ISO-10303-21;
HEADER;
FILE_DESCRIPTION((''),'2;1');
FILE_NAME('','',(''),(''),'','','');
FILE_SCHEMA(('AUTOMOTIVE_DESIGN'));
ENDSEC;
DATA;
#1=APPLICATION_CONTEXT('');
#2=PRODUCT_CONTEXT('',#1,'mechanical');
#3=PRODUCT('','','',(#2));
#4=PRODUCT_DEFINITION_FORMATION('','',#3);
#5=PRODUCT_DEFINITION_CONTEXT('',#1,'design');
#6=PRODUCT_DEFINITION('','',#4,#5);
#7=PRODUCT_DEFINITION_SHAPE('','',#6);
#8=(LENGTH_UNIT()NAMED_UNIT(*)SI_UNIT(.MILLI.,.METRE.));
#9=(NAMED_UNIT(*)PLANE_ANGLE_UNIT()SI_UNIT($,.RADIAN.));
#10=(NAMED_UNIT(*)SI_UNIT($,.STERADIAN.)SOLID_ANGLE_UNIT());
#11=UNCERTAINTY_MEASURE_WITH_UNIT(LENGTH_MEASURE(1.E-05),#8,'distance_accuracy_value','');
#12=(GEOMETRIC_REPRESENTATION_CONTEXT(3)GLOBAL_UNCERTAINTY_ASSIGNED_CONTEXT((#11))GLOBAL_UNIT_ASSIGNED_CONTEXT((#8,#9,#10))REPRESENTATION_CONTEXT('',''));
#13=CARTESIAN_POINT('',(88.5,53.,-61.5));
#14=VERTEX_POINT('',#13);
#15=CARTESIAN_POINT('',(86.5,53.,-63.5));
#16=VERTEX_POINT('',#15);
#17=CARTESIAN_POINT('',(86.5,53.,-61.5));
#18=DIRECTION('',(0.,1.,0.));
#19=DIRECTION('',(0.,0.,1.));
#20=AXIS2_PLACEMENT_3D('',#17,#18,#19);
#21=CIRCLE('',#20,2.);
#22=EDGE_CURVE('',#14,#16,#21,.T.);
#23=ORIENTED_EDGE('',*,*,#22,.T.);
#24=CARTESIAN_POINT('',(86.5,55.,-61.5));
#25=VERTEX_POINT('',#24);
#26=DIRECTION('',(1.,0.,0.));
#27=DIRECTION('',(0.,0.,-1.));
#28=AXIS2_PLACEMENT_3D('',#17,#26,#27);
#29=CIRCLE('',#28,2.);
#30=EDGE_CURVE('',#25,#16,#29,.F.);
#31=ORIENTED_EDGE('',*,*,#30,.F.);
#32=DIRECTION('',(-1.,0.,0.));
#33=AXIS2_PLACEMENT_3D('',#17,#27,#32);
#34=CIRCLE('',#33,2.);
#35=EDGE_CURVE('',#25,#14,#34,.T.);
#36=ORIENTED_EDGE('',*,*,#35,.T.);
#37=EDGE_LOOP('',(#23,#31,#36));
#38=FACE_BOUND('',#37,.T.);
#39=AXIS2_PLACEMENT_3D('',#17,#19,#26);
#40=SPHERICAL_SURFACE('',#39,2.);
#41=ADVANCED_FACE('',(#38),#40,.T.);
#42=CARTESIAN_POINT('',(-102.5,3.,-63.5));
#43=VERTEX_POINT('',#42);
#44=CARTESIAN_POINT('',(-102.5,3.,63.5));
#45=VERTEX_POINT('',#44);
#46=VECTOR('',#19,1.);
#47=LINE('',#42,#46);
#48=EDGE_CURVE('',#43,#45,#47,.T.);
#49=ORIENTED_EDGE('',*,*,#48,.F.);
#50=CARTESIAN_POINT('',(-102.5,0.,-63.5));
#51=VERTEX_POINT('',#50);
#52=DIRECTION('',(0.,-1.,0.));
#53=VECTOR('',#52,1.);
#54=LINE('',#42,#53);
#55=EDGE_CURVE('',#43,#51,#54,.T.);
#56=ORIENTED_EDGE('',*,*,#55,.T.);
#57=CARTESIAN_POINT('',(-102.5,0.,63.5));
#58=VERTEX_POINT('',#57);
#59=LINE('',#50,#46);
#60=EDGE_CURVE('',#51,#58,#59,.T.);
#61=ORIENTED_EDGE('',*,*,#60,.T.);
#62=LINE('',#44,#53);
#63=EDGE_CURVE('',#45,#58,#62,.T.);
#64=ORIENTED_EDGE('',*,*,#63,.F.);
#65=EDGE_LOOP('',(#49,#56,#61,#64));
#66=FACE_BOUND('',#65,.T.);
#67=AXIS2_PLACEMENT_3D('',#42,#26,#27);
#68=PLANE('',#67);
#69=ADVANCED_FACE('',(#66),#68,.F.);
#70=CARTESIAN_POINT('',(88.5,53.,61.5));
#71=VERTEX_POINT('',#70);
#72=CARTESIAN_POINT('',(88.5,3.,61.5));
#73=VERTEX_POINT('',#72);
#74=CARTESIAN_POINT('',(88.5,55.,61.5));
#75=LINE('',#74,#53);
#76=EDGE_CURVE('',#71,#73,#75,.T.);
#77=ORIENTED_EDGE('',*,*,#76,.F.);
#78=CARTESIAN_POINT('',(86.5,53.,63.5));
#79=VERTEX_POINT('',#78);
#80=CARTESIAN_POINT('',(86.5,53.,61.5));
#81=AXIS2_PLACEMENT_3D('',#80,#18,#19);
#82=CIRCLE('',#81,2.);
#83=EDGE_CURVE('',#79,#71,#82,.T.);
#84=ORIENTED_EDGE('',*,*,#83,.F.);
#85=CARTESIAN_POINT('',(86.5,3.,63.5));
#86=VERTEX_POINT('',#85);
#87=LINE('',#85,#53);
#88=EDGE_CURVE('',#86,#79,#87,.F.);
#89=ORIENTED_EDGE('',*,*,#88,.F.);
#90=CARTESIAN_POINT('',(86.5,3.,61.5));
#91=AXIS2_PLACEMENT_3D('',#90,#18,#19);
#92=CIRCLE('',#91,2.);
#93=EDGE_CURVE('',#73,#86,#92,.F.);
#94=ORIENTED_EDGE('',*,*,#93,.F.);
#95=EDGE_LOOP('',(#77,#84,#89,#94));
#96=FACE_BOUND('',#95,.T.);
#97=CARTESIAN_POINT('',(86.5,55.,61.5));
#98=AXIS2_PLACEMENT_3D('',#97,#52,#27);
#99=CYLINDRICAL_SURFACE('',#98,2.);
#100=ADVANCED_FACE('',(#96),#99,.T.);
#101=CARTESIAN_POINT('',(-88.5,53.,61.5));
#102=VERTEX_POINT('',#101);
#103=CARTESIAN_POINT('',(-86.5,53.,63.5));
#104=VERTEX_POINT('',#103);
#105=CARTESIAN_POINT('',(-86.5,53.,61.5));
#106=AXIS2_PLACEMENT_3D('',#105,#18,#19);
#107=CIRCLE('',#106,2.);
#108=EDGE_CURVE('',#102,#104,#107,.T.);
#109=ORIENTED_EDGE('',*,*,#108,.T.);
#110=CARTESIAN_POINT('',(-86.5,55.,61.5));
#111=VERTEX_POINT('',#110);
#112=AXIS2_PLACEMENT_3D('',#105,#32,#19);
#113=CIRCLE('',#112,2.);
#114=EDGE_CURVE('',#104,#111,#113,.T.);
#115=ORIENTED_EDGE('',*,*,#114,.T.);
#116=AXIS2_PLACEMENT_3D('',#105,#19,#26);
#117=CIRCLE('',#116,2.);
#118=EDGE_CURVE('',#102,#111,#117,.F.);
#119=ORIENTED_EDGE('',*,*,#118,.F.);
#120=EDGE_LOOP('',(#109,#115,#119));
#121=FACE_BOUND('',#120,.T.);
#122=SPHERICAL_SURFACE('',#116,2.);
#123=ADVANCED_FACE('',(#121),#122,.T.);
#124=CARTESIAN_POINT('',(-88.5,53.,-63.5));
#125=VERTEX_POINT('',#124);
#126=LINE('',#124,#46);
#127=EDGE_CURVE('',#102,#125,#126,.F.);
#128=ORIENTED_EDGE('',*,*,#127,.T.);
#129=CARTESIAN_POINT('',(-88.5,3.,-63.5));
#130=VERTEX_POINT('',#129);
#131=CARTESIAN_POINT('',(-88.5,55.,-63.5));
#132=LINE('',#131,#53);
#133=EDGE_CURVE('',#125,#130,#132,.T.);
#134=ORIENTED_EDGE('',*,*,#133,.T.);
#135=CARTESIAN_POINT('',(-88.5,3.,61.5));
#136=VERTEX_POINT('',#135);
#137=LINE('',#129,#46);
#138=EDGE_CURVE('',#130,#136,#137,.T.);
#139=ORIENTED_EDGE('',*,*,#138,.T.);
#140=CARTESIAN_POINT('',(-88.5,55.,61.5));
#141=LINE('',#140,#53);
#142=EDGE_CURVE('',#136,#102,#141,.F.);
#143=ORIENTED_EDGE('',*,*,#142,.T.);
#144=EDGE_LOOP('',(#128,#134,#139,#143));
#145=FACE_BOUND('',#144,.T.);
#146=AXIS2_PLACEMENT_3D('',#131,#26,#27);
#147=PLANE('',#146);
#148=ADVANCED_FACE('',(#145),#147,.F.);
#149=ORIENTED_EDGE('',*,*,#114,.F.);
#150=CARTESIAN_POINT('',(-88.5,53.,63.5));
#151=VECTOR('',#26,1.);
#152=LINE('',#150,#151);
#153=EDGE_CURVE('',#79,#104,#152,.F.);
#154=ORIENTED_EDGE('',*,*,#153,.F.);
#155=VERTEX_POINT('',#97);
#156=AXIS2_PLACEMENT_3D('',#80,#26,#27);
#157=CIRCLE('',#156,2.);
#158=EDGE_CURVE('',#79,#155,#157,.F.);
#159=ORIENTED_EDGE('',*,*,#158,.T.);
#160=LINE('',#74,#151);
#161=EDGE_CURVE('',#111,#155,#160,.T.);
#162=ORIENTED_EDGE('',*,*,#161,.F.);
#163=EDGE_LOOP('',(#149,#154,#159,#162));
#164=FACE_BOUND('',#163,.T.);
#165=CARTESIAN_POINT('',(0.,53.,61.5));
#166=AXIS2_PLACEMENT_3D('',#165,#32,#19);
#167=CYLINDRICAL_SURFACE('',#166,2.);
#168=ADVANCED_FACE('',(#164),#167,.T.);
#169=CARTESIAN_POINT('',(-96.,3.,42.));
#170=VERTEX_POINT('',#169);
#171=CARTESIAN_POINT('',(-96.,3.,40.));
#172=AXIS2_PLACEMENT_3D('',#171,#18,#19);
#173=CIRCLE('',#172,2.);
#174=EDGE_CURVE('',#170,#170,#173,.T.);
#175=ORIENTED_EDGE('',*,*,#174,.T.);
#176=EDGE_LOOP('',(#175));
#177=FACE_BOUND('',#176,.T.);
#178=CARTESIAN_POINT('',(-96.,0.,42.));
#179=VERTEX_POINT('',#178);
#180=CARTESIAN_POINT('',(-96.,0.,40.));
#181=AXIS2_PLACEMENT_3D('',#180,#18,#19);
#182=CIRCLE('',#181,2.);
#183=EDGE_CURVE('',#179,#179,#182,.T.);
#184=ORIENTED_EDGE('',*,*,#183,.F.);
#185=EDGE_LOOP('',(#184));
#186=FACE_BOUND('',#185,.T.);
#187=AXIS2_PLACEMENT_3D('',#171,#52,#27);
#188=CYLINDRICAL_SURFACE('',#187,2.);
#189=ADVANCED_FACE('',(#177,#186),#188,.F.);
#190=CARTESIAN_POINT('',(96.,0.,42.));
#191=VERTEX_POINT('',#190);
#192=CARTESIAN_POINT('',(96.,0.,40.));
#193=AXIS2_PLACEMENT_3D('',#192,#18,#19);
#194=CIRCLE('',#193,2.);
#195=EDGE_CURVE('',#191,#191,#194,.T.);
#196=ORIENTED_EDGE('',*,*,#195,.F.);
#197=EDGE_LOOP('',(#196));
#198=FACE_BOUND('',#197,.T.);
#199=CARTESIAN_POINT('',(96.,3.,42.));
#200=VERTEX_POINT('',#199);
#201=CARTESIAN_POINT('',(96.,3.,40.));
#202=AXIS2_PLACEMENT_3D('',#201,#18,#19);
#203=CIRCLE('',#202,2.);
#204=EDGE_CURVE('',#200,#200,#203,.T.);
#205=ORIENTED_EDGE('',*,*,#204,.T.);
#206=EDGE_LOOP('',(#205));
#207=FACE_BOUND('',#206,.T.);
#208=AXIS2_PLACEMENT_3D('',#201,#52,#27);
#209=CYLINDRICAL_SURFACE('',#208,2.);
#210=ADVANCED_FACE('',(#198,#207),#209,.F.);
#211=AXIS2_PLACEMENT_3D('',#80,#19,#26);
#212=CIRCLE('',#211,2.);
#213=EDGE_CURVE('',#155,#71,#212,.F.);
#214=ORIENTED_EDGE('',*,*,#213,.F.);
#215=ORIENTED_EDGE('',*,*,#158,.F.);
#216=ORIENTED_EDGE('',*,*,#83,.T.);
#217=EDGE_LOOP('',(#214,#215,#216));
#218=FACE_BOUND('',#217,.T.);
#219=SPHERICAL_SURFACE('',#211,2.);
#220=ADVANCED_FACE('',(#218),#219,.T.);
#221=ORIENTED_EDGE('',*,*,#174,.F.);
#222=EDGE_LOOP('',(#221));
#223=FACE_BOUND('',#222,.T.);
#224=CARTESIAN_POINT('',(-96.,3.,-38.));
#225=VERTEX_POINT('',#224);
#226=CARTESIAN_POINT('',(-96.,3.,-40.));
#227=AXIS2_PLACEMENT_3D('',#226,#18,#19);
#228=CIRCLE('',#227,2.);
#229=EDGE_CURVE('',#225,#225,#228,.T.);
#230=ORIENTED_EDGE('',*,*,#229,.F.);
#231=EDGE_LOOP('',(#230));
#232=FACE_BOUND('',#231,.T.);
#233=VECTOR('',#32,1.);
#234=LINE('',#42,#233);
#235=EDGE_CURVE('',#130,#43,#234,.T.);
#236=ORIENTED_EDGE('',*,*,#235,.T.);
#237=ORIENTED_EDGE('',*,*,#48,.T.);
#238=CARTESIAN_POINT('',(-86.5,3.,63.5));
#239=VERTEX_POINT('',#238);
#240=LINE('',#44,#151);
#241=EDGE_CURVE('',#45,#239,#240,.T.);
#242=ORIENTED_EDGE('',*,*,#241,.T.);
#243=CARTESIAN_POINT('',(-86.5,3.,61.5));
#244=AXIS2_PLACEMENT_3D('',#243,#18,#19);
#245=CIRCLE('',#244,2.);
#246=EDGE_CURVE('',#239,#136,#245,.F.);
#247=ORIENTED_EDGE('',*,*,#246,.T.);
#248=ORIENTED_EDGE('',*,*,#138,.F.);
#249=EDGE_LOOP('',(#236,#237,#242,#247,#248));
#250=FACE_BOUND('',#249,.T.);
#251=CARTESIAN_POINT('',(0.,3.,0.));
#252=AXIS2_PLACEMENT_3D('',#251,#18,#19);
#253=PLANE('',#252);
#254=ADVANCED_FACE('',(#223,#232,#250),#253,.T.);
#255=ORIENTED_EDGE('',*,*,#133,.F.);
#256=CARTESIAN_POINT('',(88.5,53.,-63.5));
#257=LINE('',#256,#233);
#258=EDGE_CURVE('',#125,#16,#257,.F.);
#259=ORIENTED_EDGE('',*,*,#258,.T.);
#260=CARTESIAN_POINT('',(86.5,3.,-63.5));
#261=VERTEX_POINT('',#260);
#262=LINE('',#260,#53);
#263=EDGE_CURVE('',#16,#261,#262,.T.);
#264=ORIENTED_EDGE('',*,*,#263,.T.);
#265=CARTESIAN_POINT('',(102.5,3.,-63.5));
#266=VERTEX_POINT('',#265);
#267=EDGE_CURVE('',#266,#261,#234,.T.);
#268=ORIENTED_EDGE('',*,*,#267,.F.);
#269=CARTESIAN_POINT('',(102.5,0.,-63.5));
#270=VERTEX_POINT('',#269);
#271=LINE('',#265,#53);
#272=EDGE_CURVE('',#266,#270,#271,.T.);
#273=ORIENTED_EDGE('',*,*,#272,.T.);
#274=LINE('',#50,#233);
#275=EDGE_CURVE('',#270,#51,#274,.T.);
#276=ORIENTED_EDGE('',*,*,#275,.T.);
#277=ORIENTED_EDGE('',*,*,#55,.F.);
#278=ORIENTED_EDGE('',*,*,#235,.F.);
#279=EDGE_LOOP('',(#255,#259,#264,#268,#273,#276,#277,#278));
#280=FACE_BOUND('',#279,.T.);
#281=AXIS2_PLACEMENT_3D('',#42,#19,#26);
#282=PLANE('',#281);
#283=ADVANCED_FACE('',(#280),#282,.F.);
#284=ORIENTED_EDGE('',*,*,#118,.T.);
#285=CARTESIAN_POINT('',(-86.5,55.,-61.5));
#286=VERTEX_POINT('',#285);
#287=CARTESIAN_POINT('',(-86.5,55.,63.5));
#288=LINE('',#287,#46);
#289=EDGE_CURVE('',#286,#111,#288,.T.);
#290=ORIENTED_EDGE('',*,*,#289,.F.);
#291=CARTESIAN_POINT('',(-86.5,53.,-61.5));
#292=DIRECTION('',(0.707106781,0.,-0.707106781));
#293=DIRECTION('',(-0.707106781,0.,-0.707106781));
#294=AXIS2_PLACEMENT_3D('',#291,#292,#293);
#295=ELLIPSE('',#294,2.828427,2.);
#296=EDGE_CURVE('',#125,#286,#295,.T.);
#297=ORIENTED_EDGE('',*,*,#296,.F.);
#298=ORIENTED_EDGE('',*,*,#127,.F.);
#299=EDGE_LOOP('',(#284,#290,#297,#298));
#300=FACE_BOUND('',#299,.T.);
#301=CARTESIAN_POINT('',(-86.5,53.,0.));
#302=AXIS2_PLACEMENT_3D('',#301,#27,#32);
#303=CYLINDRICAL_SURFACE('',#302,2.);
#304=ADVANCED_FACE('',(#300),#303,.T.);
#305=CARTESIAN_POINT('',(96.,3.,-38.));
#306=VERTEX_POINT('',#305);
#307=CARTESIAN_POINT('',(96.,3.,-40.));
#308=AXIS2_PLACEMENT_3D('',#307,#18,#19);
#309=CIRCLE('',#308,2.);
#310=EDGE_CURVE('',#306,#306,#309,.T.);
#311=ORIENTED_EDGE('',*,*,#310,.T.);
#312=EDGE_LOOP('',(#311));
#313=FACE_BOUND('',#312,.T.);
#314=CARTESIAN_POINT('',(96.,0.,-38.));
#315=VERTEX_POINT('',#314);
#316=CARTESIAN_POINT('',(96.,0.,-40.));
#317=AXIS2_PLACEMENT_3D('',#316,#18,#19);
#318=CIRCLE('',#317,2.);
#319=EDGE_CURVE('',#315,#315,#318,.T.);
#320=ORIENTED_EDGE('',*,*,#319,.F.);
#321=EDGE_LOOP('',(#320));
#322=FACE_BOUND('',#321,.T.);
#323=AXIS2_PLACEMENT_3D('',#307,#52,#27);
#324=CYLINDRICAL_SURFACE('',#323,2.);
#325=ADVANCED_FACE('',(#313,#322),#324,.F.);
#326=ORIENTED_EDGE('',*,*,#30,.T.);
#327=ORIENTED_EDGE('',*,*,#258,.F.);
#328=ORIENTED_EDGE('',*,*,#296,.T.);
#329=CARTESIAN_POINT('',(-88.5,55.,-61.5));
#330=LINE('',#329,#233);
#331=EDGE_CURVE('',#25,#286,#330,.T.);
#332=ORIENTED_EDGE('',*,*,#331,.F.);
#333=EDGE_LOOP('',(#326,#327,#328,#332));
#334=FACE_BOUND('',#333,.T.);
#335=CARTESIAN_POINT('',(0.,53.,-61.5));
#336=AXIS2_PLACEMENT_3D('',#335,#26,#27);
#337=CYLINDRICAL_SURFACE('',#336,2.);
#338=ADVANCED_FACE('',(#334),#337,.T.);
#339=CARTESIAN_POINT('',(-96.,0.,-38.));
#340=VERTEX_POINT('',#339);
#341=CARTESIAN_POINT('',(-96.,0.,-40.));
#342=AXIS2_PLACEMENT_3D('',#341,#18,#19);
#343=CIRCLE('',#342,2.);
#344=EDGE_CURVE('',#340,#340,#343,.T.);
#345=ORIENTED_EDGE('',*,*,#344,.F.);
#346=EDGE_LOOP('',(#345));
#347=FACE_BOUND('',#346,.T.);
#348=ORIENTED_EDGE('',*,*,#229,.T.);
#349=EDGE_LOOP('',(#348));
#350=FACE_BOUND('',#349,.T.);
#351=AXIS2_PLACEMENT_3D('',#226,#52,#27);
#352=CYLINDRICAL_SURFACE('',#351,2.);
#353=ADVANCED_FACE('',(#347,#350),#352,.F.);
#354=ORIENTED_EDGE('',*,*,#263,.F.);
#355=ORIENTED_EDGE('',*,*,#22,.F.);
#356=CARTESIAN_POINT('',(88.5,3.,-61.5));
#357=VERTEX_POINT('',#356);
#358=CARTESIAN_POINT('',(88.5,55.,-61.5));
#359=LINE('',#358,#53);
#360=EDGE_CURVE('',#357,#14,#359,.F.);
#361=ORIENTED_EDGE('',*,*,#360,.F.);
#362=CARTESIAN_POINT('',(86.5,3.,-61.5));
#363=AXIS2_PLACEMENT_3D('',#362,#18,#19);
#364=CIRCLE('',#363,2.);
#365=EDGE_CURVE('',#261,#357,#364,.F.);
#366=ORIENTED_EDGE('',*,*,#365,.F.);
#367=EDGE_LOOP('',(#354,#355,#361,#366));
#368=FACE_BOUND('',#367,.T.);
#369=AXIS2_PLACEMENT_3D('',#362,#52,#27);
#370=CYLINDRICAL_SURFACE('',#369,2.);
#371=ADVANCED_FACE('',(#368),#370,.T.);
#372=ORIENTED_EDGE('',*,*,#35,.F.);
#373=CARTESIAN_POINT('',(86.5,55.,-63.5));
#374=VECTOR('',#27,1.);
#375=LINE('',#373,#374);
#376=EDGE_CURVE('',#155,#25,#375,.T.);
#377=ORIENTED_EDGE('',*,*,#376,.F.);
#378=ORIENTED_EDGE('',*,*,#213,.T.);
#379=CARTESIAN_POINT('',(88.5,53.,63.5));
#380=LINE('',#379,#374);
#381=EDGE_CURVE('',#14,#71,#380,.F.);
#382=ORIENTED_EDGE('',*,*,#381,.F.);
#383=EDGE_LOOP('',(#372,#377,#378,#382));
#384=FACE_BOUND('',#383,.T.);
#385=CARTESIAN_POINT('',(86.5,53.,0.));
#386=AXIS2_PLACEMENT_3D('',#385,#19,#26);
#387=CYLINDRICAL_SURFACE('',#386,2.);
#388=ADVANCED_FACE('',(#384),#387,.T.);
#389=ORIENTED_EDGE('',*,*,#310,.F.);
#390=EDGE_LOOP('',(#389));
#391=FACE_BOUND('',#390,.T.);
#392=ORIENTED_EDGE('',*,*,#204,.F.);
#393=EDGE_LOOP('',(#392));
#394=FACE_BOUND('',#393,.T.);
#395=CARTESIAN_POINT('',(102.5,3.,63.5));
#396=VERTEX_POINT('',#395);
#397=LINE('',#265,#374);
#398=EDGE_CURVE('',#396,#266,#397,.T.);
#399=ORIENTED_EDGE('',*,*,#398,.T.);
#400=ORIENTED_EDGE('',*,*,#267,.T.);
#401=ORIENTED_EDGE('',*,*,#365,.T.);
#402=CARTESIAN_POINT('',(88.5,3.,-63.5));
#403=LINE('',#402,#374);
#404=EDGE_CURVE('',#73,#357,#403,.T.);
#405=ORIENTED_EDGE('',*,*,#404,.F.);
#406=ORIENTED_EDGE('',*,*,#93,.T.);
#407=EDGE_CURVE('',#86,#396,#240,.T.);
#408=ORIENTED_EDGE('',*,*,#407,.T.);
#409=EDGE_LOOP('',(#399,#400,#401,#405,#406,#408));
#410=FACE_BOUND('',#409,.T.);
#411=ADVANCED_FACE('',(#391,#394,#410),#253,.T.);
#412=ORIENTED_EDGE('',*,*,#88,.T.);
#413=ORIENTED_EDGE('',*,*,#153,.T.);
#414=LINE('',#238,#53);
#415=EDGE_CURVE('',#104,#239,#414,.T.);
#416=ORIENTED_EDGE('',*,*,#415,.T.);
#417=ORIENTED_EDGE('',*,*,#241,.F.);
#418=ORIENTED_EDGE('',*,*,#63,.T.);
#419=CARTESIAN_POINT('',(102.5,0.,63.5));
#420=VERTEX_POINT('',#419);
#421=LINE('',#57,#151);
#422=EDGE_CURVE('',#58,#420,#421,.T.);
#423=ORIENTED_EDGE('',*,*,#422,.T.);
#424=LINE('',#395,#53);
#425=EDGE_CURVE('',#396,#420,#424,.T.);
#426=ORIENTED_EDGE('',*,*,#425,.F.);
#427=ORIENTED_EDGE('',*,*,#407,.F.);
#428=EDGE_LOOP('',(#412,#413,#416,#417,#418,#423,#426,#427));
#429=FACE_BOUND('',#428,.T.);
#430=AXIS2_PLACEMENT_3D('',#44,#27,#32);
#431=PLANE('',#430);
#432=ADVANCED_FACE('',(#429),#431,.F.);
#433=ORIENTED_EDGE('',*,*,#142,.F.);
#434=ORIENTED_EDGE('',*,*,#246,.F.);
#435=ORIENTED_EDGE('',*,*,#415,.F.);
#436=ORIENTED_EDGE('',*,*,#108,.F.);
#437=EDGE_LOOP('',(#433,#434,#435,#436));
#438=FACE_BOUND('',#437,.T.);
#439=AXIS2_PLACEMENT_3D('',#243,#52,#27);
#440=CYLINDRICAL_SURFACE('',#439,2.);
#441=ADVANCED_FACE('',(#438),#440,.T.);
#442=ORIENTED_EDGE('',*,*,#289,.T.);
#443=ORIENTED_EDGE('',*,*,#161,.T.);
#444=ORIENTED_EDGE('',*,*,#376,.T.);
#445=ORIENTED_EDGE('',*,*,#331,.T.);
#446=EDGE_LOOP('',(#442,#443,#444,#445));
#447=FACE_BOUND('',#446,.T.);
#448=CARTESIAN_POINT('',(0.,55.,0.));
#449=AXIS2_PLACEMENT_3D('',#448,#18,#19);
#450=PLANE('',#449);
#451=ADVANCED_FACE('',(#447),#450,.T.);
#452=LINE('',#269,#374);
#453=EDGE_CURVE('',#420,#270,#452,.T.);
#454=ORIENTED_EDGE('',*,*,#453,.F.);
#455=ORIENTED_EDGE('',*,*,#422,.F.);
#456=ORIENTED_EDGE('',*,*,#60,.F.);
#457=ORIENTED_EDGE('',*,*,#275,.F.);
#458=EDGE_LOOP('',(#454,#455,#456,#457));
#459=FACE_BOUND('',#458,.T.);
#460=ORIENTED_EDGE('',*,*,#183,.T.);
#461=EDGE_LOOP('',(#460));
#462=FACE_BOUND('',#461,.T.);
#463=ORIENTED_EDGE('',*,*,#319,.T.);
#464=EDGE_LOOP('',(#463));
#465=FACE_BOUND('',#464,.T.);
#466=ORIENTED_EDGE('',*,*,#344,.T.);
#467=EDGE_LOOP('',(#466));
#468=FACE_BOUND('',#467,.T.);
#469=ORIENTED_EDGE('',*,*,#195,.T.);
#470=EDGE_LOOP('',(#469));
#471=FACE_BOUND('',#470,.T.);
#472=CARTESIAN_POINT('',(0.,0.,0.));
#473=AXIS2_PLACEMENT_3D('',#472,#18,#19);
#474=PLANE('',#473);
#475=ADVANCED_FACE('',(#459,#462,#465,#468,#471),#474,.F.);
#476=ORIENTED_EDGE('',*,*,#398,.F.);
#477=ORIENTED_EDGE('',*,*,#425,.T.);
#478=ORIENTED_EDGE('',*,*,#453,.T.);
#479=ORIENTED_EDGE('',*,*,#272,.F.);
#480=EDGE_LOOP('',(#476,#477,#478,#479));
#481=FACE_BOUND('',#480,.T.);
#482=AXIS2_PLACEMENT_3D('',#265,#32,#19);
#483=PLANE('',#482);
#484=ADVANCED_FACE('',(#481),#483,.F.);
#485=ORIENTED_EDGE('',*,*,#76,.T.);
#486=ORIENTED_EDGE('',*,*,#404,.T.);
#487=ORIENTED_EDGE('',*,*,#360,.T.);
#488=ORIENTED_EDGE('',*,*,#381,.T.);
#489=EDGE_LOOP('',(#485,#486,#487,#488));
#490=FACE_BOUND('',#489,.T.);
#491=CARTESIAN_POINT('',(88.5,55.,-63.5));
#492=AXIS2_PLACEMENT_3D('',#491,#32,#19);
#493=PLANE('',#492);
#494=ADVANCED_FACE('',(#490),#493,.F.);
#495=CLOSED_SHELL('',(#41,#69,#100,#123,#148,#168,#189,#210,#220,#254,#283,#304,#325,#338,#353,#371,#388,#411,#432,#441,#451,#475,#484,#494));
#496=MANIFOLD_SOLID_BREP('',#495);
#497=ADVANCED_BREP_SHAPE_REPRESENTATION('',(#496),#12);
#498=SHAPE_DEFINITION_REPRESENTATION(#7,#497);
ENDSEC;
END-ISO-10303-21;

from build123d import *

# Parameters (mm, degrees)
SKETCH_2_W      = 205
SKETCH_2_H      = 127
SKETCH_2_R      = 2
EXTRUDE_1_DEPTH = 3
SKETCH_3_W      = 177
SKETCH_3_H      = 127
EXTRUDE_2_DEPTH = 52
FILLET_1_R      = 2


with BuildPart() as part:
    # 草图2 → 凸台-拉伸1 (new body)
    with BuildSketch(Plane(origin=(0, 0, 0), x_dir=(1, 0, 0), z_dir=(0, 1, 0))):
        Rectangle(SKETCH_2_W, SKETCH_2_H)
        with Locations(Location((-96, 40, 0), (0, 0, 270))):
            Circle(SKETCH_2_R, mode=Mode.SUBTRACT)
        with Locations(Location((96, 40, 0), (0, 0, 270))):
            Circle(SKETCH_2_R, mode=Mode.SUBTRACT)
        with Locations(Location((96, -40, 0), (0, 0, 270))):
            Circle(SKETCH_2_R, mode=Mode.SUBTRACT)
        with Locations(Location((-96, -40, 0), (0, 0, 270))):
            Circle(SKETCH_2_R, mode=Mode.SUBTRACT)
    extrude(amount=EXTRUDE_1_DEPTH)

    # 草图3 → 凸台-拉伸2 (add)
    with BuildSketch(Plane(origin=(0, 3, 0), x_dir=(1, 0, 0), z_dir=(0, 1, 0))):
        Rectangle(SKETCH_3_W, SKETCH_3_H)
    extrude(amount=EXTRUDE_2_DEPTH)

    # 圆角1
    fillet_1_edges = [part.edges().sort_by_distance(p)[0] for p in [
        (-88.5, 29, 63.5),
        (88.5, 29, 63.5),
        (88.5, 29, -63.5),
        (-88.5, 55, 0),
        (0, 55, 63.5),
        (88.5, 55, 0),
        (0, 55, -63.5),
    ]]
    fillet(fillet_1_edges, radius=FILLET_1_R)


solid = part.part
